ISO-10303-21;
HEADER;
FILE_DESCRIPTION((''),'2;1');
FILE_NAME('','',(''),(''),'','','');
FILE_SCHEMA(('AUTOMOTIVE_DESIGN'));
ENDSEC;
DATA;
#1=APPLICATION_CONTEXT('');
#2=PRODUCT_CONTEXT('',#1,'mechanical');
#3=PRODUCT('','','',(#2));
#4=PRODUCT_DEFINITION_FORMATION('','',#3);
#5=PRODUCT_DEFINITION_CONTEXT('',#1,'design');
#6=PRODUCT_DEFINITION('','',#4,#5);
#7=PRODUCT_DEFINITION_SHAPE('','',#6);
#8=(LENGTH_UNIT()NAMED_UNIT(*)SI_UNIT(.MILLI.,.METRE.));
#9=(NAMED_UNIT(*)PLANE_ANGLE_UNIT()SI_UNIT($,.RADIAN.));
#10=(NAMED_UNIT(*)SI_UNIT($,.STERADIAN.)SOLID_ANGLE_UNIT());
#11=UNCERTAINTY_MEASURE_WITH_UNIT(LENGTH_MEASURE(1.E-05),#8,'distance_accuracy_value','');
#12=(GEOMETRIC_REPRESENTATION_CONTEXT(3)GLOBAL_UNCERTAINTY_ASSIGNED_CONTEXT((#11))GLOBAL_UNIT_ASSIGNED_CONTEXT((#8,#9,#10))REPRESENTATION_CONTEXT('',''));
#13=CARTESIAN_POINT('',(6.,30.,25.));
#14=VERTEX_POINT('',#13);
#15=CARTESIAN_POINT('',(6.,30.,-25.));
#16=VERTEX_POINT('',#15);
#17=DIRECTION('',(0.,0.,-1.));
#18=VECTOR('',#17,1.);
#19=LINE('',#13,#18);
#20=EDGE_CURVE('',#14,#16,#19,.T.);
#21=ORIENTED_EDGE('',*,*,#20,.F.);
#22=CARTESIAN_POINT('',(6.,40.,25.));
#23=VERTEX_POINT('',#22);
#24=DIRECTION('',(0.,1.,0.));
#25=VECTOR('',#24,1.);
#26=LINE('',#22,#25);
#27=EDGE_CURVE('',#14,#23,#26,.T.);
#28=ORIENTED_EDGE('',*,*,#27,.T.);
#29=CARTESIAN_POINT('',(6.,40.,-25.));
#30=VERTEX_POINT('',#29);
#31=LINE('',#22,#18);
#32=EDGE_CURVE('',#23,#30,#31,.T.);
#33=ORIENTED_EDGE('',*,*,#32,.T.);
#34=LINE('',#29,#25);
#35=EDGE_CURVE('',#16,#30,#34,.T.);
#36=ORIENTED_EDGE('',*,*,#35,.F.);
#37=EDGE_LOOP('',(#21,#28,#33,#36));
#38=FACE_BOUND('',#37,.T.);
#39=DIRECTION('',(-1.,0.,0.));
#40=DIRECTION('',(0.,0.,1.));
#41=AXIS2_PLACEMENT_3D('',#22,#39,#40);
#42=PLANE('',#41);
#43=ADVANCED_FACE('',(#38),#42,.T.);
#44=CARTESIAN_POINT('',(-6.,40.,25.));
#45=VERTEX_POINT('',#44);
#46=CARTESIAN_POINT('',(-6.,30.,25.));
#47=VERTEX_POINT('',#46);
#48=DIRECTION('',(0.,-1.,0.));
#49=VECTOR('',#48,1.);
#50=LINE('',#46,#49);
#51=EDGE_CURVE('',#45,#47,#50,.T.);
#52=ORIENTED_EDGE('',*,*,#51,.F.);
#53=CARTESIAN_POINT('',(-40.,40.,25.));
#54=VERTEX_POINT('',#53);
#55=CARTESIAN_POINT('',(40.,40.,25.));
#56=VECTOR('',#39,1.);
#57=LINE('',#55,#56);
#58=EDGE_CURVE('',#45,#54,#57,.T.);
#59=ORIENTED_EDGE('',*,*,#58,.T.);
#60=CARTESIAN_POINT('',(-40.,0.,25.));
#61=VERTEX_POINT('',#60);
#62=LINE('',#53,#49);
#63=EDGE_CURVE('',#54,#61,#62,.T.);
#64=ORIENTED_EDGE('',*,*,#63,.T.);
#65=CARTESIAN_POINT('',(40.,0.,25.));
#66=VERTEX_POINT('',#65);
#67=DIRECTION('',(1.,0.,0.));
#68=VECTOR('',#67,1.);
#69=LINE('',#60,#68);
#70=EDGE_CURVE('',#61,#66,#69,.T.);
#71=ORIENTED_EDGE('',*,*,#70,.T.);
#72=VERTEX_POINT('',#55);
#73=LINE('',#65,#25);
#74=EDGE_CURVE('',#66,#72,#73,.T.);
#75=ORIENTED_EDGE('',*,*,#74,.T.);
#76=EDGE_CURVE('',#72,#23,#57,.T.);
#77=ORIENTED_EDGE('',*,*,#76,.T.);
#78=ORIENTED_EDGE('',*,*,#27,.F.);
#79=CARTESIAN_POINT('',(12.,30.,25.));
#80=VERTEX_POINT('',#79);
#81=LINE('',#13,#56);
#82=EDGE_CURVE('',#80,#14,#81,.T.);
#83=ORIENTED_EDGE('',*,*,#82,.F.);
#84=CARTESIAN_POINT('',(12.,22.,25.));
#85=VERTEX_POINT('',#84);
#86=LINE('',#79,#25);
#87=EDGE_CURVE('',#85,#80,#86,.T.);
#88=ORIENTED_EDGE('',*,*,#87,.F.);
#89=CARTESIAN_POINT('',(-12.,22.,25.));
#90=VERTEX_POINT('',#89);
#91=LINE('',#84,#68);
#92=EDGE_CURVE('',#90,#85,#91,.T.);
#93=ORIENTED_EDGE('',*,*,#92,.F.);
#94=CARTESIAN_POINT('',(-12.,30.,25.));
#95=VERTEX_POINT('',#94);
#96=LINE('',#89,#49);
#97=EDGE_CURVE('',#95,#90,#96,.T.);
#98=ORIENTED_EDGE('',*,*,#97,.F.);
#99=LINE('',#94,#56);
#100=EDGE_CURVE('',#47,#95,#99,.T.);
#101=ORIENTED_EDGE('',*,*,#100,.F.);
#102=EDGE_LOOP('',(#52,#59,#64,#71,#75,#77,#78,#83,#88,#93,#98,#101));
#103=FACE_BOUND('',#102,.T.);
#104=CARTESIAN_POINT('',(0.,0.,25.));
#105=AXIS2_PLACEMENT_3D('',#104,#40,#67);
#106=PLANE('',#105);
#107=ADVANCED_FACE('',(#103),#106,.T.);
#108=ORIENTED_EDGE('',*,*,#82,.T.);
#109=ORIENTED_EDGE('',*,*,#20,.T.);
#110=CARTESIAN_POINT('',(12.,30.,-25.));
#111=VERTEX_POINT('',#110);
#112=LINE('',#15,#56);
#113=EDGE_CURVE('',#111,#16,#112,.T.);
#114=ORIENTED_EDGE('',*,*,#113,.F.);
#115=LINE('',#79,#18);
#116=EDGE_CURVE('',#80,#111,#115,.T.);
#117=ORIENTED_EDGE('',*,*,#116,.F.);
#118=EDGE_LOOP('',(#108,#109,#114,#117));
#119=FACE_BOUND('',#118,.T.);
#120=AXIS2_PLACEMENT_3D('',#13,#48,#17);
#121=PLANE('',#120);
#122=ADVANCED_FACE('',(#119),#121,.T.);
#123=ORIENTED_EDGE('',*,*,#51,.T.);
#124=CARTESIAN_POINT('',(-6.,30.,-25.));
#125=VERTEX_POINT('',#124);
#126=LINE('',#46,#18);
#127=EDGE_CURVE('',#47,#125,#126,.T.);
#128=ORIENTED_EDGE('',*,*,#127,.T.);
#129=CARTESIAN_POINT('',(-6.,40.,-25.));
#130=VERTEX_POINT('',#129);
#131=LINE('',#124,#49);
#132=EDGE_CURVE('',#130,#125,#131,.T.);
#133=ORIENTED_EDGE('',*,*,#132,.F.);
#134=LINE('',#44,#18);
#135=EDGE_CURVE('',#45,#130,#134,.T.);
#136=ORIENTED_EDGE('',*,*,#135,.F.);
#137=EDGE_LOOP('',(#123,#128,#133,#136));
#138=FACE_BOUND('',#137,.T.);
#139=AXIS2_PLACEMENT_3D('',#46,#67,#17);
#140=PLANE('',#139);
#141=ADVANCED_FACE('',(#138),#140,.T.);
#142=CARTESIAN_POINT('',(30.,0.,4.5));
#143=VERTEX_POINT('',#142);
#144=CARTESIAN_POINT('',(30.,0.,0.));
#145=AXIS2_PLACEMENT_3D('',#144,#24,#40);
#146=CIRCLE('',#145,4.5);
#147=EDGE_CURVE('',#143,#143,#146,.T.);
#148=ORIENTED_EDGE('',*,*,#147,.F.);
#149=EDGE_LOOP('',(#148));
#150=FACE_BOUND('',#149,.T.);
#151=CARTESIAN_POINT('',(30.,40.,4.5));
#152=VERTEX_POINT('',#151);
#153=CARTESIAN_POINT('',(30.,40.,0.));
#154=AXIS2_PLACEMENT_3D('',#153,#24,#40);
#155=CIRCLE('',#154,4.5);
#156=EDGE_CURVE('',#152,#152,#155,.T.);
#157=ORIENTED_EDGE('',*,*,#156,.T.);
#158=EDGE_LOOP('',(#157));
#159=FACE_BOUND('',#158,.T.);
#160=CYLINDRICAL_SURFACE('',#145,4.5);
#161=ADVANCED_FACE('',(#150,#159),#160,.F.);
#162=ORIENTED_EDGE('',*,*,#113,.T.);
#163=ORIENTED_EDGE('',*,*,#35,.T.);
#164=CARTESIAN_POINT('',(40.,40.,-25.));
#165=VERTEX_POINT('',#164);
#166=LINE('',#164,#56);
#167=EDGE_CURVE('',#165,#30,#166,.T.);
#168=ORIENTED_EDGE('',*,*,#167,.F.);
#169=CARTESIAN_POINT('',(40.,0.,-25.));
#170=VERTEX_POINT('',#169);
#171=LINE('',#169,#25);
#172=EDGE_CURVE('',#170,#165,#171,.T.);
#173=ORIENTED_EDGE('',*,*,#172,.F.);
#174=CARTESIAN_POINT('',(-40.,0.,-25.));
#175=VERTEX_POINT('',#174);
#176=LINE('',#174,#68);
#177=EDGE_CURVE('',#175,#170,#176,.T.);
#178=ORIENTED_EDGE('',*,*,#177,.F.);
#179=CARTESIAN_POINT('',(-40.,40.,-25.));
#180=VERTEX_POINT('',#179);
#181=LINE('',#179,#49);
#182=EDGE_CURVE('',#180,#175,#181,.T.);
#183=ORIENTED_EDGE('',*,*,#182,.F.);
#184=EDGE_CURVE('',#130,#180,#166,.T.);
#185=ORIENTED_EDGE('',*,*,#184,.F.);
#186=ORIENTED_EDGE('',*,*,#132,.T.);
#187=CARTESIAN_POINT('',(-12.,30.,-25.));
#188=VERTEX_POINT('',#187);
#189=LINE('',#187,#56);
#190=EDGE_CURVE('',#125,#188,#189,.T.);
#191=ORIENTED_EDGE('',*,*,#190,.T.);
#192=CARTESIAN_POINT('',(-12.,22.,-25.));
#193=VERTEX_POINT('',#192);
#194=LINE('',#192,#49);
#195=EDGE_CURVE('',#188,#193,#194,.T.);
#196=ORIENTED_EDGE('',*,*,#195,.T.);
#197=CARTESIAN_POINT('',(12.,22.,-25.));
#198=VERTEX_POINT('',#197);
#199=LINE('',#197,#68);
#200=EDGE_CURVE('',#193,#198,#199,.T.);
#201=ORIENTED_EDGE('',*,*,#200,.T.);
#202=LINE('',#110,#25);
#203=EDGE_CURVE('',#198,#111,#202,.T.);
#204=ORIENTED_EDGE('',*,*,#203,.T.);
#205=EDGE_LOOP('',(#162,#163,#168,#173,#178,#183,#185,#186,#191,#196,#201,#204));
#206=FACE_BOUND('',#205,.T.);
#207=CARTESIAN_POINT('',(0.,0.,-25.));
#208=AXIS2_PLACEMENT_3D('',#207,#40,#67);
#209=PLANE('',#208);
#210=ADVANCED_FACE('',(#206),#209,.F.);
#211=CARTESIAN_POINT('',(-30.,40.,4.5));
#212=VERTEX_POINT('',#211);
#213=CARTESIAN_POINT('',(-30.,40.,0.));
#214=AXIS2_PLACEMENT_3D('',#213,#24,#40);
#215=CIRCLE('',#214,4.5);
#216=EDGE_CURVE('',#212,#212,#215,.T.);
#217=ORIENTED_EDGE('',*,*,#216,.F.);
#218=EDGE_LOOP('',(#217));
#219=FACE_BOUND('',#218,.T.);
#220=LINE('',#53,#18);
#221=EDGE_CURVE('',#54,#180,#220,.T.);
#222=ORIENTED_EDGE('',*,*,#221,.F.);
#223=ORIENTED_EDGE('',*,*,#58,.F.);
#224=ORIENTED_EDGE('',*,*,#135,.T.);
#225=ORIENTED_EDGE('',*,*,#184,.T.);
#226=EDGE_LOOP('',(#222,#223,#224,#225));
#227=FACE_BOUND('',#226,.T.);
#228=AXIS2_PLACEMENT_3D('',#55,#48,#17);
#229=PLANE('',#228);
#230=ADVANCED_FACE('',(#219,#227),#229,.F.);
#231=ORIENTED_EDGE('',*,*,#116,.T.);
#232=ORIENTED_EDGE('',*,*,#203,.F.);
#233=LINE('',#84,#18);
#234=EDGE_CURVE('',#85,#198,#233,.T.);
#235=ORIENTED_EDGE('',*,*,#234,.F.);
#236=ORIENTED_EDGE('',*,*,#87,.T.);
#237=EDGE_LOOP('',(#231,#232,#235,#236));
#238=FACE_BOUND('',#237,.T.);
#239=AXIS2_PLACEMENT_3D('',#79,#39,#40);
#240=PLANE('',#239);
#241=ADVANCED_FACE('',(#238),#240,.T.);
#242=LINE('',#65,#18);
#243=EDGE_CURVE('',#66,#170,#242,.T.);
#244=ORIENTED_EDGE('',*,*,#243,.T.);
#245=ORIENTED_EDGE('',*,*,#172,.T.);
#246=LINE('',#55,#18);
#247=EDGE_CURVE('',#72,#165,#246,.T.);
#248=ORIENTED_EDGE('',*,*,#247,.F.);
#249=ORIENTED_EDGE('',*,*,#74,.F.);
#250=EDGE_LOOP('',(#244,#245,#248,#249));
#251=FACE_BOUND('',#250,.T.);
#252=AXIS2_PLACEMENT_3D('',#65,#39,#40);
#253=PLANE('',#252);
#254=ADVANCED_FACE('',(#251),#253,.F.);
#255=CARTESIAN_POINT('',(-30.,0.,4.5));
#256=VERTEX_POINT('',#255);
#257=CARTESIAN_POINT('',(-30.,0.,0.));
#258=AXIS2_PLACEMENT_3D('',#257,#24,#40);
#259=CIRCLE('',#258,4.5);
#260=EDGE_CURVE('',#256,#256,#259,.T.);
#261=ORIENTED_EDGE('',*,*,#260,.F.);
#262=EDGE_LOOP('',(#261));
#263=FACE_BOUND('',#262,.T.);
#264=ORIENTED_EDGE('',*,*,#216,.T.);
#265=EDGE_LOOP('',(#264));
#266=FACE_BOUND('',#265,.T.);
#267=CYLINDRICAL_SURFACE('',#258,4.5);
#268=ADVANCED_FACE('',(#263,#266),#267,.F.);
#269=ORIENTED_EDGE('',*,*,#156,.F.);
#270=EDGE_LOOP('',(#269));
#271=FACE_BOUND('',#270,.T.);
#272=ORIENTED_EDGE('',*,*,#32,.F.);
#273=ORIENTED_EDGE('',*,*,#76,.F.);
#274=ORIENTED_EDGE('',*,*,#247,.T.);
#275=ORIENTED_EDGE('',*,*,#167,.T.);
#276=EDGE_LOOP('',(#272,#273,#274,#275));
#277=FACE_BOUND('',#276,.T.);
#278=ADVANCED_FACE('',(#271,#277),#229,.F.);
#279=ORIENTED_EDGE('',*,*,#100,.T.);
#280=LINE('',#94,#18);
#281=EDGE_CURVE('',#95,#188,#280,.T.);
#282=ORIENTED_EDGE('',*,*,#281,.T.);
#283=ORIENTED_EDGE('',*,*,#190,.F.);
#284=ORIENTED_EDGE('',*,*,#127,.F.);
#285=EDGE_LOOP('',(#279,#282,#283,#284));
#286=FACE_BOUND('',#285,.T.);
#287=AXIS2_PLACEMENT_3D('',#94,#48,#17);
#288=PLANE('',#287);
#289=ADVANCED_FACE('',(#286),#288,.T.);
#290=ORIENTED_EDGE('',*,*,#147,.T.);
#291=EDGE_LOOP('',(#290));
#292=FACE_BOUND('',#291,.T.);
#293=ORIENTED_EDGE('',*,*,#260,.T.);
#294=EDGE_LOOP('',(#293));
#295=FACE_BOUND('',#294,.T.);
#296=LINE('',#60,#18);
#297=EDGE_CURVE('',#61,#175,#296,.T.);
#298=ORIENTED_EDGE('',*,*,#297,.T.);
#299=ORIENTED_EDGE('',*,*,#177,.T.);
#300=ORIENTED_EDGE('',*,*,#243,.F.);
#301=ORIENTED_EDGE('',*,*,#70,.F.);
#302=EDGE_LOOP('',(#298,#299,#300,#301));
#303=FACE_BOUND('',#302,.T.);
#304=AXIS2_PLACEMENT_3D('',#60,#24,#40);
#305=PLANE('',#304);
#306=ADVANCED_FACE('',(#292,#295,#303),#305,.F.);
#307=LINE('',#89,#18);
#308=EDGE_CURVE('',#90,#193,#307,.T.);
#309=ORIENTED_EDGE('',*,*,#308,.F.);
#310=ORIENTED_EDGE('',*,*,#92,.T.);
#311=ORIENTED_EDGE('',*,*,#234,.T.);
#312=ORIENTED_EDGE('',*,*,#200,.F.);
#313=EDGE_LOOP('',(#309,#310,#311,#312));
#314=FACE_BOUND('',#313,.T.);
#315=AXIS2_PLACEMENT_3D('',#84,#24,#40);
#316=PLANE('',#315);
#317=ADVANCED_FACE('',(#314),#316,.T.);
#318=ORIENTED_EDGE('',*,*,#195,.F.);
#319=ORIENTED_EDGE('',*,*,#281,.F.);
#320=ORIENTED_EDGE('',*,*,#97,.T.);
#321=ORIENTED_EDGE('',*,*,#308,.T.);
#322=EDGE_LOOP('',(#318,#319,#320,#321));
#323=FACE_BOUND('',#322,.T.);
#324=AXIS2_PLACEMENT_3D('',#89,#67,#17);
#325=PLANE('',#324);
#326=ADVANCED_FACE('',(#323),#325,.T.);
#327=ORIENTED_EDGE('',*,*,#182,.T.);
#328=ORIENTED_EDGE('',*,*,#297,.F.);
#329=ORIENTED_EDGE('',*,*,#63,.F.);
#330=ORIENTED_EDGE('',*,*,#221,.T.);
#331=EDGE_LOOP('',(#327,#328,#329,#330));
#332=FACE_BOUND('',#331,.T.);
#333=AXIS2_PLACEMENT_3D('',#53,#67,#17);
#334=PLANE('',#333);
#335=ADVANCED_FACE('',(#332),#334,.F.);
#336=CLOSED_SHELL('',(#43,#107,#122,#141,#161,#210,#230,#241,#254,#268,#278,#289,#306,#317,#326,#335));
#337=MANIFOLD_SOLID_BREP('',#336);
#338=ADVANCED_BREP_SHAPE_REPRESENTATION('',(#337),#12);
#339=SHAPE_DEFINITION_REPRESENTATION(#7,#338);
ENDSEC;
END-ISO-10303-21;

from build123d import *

# Parameters (mm, degrees)
SKETCH_1_W          = 80
SKETCH_1_H          = 40
EXTRUDE_1_DEPTH     = 50
CUT_EXTRUDE_1_DEPTH = 76.498344353
SKETCH_3_R          = 4.5
CUT_EXTRUDE_2_DEPTH = 62.846584384


with BuildPart() as part:
    # 草图1 → 凸台-拉伸1 (new body)
    with BuildSketch(Plane.XY.offset(-25)):
        with Locations((0, 20)):
            Rectangle(SKETCH_1_W, SKETCH_1_H)
    extrude(amount=EXTRUDE_1_DEPTH)

    # 草图2 → 切除-拉伸1 (cut, through all)
    with BuildSketch(Plane.XY.offset(-25)):
        Polygon((-6, 40), (6, 40), (6, 30), (12, 30), (12, 22), (-12, 22), (-12, 30), (-6, 30), align=None)
    extrude(amount=CUT_EXTRUDE_1_DEPTH, mode=Mode.SUBTRACT)

    # 草图3 → 切除-拉伸2 (cut, through all)
    with BuildSketch(Plane(origin=(0, 40, 0), x_dir=(1, 0, 0), z_dir=(0, 1, 0))):
        with Locations(Location((-30, 0, 0), (0, 0, 270))):
            Circle(SKETCH_3_R)
        with Locations(Location((30, 0, 0), (0, 0, 270))):
            Circle(SKETCH_3_R)
    extrude(amount=-CUT_EXTRUDE_2_DEPTH, mode=Mode.SUBTRACT)


solid = part.part
